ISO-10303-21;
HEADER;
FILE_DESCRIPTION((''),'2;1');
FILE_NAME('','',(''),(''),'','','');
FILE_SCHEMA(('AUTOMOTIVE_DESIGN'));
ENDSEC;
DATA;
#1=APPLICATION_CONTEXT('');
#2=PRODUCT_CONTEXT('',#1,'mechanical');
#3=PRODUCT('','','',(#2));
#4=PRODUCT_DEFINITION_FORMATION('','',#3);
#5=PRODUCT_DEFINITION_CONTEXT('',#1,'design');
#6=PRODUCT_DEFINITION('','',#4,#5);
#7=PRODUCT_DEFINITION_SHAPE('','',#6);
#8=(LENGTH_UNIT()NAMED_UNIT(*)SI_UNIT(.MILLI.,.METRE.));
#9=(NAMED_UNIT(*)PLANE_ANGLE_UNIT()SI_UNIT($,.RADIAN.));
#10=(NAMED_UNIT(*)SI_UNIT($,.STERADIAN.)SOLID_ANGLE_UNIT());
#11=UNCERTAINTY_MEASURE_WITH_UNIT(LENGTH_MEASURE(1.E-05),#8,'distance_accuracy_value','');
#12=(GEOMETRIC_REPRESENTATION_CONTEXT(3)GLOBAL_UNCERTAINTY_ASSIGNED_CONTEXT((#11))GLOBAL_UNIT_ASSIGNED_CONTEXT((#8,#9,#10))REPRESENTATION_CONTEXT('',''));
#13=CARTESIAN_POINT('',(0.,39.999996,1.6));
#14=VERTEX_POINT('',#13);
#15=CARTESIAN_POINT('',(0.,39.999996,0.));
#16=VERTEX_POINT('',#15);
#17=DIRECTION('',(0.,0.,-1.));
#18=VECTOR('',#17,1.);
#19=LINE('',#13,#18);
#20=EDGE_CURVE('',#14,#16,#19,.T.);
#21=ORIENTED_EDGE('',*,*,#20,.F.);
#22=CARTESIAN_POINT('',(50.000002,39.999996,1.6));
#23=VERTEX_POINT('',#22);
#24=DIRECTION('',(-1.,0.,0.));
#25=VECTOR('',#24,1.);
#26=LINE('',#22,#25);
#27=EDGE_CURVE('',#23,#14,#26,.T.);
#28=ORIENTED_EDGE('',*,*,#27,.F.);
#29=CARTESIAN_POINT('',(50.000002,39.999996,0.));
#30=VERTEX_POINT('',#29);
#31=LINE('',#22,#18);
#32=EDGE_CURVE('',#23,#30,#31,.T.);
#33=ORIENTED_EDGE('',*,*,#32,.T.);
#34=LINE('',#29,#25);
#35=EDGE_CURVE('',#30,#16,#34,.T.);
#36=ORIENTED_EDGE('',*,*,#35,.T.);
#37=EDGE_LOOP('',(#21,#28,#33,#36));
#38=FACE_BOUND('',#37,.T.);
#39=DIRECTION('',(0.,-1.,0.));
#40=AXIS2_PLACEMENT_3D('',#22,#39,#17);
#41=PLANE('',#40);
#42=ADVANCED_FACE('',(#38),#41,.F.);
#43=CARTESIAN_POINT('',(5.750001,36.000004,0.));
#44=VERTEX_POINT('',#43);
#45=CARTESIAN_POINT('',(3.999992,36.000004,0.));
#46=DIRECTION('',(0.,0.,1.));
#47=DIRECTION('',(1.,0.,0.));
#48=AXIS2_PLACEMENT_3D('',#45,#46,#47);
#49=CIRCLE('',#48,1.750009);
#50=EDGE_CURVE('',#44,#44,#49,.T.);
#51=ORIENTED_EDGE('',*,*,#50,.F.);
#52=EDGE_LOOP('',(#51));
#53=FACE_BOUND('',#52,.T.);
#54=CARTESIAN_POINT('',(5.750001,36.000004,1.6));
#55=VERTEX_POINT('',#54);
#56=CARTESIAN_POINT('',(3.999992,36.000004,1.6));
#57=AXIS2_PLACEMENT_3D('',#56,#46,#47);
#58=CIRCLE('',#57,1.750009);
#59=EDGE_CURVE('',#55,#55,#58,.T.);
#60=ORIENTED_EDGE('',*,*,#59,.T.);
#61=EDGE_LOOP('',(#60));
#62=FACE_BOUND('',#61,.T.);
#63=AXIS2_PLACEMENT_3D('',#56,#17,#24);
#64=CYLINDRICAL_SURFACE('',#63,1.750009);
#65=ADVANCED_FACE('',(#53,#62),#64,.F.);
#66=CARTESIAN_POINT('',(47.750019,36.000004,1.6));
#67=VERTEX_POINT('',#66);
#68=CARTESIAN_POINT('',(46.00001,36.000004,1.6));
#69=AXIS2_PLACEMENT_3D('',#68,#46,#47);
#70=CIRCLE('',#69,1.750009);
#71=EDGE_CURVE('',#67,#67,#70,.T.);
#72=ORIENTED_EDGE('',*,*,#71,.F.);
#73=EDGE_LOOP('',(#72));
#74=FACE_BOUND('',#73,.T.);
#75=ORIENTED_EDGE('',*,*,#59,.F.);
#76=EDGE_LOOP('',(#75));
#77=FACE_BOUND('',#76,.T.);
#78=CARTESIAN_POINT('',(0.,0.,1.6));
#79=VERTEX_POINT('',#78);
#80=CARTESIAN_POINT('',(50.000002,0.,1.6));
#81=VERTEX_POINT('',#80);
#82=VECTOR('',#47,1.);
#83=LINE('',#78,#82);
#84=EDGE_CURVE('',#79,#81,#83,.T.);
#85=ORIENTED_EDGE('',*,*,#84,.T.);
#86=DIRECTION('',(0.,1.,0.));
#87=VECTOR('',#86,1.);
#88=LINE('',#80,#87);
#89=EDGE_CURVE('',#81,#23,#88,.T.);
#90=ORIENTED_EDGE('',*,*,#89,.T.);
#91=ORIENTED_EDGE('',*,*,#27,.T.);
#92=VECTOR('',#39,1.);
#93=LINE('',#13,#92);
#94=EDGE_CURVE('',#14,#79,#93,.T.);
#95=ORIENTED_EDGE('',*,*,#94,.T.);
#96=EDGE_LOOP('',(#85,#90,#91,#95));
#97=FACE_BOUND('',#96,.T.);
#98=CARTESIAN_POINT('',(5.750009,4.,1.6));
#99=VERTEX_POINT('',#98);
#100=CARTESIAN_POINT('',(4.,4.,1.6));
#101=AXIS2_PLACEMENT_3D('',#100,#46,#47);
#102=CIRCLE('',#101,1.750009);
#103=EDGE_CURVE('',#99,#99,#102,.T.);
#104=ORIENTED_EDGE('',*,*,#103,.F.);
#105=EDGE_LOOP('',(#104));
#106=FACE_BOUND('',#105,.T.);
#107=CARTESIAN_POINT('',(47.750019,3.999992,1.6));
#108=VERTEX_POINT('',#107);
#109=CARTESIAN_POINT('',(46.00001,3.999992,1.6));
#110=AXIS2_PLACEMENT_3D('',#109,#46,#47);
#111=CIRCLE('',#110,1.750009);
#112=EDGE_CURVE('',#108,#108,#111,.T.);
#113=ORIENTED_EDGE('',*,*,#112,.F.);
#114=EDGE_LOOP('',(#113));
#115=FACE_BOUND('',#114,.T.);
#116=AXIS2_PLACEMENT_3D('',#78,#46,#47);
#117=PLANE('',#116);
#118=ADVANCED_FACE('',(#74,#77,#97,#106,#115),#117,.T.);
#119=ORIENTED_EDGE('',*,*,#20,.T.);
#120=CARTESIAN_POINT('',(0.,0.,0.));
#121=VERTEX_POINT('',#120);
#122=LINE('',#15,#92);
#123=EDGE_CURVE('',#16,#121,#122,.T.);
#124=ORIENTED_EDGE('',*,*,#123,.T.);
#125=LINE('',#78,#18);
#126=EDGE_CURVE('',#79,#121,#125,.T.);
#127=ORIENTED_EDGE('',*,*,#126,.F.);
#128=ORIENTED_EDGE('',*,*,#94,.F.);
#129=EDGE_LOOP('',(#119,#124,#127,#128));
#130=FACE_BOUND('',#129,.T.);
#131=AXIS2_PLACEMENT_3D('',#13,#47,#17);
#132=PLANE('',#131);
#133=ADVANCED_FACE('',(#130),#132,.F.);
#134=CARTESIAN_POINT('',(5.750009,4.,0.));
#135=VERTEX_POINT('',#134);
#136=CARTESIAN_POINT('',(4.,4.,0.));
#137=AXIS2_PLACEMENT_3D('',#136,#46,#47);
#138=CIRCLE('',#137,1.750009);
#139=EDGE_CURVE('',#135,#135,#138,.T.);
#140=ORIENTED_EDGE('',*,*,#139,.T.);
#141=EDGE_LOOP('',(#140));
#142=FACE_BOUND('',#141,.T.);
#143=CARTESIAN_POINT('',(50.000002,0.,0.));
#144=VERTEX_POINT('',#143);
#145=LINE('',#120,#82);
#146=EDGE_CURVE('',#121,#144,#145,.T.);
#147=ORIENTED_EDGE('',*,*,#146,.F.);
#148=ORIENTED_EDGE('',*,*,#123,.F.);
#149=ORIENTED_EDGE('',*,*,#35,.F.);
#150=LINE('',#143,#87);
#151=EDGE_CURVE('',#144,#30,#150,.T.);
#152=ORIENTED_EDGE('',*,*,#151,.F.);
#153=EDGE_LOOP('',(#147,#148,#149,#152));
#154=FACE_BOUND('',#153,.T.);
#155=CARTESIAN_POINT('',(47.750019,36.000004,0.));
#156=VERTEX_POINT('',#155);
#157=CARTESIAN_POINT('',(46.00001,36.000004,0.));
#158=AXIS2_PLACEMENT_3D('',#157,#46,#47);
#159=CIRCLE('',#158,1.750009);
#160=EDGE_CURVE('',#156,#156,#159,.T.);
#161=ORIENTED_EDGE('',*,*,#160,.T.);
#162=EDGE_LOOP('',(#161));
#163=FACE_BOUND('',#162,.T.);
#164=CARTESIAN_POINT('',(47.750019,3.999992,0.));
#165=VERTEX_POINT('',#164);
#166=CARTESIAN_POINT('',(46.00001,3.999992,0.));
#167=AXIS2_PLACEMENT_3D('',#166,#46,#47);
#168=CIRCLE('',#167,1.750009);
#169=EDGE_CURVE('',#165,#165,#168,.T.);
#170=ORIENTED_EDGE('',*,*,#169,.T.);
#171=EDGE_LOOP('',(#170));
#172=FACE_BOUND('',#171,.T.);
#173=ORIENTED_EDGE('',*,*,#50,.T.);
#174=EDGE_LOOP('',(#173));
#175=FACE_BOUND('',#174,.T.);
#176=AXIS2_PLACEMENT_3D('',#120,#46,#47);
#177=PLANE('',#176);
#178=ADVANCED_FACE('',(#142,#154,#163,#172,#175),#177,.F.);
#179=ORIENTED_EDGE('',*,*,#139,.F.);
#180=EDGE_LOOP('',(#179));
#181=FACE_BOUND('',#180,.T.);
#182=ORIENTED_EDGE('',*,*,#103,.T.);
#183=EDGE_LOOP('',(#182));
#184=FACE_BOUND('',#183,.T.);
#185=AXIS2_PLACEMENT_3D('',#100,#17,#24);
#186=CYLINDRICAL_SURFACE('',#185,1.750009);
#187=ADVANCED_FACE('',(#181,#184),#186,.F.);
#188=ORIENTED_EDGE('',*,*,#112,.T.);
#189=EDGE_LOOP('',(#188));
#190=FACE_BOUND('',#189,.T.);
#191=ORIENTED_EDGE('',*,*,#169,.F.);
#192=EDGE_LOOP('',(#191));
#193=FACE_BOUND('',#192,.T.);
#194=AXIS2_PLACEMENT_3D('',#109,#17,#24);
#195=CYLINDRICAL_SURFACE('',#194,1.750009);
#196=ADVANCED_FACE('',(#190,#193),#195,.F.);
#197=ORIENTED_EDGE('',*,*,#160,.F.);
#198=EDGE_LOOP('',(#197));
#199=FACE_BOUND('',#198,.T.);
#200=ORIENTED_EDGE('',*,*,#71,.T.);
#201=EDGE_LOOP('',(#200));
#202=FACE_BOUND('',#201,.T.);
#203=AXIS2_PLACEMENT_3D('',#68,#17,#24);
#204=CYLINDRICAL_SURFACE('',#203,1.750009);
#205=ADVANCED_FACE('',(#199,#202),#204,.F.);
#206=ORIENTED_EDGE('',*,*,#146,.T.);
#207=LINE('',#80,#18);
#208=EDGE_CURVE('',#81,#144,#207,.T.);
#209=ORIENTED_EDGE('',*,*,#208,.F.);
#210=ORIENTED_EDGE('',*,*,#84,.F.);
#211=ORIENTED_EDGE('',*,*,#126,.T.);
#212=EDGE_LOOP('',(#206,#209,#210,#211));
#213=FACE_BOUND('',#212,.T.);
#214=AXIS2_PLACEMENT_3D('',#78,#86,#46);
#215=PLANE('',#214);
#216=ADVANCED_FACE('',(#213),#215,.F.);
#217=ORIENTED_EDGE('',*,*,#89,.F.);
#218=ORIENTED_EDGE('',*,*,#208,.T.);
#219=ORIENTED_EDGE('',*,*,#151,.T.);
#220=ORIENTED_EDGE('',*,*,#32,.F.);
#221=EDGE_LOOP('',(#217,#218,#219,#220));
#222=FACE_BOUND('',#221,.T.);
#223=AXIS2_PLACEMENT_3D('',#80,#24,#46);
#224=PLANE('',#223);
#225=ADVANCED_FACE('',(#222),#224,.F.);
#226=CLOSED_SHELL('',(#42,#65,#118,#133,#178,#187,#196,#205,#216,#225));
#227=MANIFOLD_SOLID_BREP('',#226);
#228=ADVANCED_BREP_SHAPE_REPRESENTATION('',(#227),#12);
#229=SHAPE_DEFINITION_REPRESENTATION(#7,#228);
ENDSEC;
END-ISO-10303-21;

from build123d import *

# Parameters (mm, degrees)
MODEL_W            = 50.0000016
MODEL_H            = 39.9999962
MODEL_R            = 1.7500092
BOSS_EXTRU_1_DEPTH = 1.6


with BuildPart() as part:
    # Model → Boss.-Extru.1 (new body)
    with BuildSketch(Plane.XY):
        with Locations((25.0000008, 19.9999981)):
            Rectangle(MODEL_W, MODEL_H)
        with Locations((4, 4)):
            Circle(MODEL_R, mode=Mode.SUBTRACT)
        with Locations((46.0000096, 3.999992)):
            Circle(MODEL_R, mode=Mode.SUBTRACT)
        with Locations((46.0000096, 36.0000042)):
            Circle(MODEL_R, mode=Mode.SUBTRACT)
        with Locations((3.999992, 36.0000042)):
            Circle(MODEL_R, mode=Mode.SUBTRACT)
    extrude(amount=BOSS_EXTRU_1_DEPTH)


solid = part.part
